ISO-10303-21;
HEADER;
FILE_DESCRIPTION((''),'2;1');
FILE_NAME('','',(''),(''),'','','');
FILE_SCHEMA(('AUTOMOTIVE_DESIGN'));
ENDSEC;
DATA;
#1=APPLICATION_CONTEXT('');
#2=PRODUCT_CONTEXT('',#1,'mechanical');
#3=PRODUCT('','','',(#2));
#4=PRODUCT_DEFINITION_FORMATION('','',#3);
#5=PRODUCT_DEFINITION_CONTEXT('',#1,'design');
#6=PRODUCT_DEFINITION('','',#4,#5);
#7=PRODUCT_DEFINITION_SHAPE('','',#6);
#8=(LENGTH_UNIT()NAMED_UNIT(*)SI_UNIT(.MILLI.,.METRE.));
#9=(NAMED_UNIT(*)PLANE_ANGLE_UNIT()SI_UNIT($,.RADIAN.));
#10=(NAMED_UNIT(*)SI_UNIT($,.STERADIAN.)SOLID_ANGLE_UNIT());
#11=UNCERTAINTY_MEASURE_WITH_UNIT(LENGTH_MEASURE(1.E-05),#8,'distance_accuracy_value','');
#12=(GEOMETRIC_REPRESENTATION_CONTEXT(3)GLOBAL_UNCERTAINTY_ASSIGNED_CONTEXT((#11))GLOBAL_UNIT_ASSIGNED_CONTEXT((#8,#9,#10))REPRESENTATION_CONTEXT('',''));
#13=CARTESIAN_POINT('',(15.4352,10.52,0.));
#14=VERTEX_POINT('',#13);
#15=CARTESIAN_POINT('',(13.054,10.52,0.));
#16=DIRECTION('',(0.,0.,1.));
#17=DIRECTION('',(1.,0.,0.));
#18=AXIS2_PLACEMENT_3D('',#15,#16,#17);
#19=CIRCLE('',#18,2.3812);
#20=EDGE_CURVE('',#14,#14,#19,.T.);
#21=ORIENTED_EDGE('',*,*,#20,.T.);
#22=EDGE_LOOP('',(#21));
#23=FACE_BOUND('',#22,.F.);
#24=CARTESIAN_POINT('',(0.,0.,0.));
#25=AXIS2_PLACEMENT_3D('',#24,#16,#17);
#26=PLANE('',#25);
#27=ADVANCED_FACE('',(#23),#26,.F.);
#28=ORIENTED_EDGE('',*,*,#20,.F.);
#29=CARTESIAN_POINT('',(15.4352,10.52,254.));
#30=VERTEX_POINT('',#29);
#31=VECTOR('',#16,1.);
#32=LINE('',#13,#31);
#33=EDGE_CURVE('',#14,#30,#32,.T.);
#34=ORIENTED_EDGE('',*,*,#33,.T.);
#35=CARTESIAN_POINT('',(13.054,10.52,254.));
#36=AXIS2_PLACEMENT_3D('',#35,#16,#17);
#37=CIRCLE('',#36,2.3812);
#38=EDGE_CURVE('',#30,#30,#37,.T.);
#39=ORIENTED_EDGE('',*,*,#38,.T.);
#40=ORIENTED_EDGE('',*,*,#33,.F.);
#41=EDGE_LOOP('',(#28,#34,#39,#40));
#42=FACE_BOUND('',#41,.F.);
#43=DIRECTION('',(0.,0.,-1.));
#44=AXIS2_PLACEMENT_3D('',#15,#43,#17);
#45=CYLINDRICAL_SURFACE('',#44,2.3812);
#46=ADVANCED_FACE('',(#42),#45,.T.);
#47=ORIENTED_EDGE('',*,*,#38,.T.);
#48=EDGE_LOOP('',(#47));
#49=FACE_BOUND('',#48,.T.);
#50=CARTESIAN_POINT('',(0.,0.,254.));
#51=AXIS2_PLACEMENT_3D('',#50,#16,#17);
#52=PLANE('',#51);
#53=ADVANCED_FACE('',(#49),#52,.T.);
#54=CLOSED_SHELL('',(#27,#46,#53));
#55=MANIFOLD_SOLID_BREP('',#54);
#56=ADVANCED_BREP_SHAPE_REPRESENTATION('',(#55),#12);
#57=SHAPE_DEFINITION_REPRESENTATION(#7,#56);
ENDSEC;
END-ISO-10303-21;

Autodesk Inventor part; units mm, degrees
ref_plane "YZ Plane" through (0, 0, 0) normal (1, 0, 0) x (0, 1, 0)
ref_plane "XZ Plane" through (0, 0, 0) normal (0, 1, 0) x (-1, 0, 0)
ref_plane "XY Plane" through (0, 0, 0) normal (0, 0, 1) x (1, 0, 0)
sketch "Sketch1" plane through (0, 0, 0) normal (0, 0, 1) x (1, 0, 0)
  circle A0 centre (13.054, 10.52) radius 2.3812
  point P0 (0, 0)
  dimension "d0" = 4.7625
  dimension "d0" = 4.7625
extrude "Extrusion1" add sketch "Sketch1" along normal blind 254
properties part number "Rod 1"
